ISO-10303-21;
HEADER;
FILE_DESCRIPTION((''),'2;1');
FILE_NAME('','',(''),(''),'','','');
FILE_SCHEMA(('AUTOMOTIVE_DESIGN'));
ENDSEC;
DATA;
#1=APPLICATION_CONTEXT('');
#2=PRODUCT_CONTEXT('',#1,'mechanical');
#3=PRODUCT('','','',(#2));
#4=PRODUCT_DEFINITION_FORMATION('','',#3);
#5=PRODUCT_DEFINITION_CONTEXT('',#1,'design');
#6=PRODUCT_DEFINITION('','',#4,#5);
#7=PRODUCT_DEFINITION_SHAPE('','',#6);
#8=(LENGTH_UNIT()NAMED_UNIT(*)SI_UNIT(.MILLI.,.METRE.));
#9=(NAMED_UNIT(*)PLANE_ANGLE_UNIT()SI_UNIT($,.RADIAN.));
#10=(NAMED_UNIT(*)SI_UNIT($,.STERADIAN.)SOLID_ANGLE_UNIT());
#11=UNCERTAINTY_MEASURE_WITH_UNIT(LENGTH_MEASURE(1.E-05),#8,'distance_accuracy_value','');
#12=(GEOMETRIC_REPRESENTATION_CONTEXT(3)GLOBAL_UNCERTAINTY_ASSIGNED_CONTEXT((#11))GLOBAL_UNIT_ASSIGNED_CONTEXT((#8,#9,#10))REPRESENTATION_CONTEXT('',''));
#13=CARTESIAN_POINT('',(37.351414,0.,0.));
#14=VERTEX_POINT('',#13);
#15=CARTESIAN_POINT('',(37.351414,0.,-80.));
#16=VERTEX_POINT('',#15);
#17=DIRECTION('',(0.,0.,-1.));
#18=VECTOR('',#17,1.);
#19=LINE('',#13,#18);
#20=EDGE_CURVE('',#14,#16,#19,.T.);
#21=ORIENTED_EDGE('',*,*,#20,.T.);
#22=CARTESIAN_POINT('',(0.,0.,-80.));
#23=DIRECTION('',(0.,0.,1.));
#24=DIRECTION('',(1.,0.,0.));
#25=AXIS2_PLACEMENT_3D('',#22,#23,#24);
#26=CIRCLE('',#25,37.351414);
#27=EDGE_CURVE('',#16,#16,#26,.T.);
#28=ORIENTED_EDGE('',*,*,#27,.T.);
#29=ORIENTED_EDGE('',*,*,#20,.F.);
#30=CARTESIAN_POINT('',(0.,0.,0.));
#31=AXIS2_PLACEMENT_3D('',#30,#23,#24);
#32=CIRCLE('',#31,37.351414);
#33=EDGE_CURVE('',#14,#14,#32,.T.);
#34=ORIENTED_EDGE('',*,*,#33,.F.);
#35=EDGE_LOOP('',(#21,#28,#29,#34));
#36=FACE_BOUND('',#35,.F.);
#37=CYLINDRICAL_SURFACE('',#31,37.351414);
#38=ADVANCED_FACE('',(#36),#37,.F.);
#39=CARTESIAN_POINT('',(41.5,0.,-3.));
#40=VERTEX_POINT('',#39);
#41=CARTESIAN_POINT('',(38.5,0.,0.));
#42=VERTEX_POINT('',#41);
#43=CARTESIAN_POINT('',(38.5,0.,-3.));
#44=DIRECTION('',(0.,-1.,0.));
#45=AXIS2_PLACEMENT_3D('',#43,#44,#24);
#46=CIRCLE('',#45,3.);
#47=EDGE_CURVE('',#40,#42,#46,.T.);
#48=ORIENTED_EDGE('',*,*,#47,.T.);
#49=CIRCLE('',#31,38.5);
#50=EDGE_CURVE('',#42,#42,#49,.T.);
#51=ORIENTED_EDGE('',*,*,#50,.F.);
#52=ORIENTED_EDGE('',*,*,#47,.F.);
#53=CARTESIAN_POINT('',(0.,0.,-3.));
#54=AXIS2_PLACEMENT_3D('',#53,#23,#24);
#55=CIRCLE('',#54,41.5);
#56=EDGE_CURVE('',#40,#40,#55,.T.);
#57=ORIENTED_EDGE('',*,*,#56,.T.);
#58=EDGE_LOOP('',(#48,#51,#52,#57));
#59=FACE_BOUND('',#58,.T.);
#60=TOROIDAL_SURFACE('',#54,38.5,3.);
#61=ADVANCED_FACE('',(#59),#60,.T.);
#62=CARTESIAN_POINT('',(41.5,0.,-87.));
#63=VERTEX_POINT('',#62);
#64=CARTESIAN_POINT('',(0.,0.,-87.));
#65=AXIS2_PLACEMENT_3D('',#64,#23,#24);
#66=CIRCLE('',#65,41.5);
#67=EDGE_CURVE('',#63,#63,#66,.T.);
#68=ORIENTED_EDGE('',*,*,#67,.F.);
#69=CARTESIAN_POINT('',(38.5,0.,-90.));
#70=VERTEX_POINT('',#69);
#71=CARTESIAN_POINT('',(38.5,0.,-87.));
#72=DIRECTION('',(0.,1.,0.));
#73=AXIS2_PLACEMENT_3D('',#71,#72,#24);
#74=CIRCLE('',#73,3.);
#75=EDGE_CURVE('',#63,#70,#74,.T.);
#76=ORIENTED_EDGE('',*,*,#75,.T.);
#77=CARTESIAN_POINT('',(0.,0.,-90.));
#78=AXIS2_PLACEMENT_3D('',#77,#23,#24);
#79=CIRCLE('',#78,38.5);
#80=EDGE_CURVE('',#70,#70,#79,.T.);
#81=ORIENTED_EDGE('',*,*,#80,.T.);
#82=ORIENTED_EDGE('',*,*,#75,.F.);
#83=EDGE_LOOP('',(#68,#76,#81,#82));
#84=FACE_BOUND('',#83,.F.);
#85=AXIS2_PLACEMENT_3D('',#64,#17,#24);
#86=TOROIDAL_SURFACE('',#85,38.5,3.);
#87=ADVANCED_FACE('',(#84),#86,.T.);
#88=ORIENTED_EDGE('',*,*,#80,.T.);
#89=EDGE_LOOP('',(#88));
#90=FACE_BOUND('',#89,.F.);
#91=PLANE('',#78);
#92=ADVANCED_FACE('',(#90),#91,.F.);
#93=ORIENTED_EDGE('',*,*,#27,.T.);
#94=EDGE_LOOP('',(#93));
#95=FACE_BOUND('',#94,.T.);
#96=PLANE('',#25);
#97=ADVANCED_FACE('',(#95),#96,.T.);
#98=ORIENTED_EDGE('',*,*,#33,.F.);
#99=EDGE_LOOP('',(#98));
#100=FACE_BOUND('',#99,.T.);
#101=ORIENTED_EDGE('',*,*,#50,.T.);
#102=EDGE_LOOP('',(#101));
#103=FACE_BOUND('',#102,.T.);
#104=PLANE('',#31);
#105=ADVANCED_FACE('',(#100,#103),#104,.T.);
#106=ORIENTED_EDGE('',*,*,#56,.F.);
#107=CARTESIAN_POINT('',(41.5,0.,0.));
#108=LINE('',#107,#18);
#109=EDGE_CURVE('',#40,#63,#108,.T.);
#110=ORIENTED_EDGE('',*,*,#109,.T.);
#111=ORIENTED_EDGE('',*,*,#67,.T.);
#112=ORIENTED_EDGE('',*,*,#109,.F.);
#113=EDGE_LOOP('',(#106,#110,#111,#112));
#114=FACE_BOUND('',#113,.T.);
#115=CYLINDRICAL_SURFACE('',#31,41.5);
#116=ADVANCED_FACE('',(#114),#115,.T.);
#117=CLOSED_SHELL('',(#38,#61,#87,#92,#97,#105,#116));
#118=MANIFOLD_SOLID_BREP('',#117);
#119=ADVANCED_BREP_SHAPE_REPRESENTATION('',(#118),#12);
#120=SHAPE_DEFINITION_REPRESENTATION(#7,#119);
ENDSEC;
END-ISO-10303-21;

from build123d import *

# Parameters (mm, degrees)
F0_R     = 41.5
F1_DEPTH = 90
F2_R     = 37.351414
F3_DEPTH = 80
F4_R     = 3


with BuildPart() as f1:
    # F0 (on Top) → F1 (new body)
    with BuildSketch(Plane.XY):
        Circle(F0_R)
    extrude(amount=-F1_DEPTH)

    # F2 (on face) → F3 (cut)
    with BuildSketch(Plane.XY):
        Circle(F2_R)
    extrude(amount=-F3_DEPTH, mode=Mode.SUBTRACT)

    # F4
    f4_edges = [f1.edges().sort_by_distance(p)[0] for p in [
        (41.5, 0, -45),
        (-41.5, 0, 0),
        (-41.5, 0, -90),
    ]]
    fillet(f4_edges, radius=F4_R)


solid = f1.part
